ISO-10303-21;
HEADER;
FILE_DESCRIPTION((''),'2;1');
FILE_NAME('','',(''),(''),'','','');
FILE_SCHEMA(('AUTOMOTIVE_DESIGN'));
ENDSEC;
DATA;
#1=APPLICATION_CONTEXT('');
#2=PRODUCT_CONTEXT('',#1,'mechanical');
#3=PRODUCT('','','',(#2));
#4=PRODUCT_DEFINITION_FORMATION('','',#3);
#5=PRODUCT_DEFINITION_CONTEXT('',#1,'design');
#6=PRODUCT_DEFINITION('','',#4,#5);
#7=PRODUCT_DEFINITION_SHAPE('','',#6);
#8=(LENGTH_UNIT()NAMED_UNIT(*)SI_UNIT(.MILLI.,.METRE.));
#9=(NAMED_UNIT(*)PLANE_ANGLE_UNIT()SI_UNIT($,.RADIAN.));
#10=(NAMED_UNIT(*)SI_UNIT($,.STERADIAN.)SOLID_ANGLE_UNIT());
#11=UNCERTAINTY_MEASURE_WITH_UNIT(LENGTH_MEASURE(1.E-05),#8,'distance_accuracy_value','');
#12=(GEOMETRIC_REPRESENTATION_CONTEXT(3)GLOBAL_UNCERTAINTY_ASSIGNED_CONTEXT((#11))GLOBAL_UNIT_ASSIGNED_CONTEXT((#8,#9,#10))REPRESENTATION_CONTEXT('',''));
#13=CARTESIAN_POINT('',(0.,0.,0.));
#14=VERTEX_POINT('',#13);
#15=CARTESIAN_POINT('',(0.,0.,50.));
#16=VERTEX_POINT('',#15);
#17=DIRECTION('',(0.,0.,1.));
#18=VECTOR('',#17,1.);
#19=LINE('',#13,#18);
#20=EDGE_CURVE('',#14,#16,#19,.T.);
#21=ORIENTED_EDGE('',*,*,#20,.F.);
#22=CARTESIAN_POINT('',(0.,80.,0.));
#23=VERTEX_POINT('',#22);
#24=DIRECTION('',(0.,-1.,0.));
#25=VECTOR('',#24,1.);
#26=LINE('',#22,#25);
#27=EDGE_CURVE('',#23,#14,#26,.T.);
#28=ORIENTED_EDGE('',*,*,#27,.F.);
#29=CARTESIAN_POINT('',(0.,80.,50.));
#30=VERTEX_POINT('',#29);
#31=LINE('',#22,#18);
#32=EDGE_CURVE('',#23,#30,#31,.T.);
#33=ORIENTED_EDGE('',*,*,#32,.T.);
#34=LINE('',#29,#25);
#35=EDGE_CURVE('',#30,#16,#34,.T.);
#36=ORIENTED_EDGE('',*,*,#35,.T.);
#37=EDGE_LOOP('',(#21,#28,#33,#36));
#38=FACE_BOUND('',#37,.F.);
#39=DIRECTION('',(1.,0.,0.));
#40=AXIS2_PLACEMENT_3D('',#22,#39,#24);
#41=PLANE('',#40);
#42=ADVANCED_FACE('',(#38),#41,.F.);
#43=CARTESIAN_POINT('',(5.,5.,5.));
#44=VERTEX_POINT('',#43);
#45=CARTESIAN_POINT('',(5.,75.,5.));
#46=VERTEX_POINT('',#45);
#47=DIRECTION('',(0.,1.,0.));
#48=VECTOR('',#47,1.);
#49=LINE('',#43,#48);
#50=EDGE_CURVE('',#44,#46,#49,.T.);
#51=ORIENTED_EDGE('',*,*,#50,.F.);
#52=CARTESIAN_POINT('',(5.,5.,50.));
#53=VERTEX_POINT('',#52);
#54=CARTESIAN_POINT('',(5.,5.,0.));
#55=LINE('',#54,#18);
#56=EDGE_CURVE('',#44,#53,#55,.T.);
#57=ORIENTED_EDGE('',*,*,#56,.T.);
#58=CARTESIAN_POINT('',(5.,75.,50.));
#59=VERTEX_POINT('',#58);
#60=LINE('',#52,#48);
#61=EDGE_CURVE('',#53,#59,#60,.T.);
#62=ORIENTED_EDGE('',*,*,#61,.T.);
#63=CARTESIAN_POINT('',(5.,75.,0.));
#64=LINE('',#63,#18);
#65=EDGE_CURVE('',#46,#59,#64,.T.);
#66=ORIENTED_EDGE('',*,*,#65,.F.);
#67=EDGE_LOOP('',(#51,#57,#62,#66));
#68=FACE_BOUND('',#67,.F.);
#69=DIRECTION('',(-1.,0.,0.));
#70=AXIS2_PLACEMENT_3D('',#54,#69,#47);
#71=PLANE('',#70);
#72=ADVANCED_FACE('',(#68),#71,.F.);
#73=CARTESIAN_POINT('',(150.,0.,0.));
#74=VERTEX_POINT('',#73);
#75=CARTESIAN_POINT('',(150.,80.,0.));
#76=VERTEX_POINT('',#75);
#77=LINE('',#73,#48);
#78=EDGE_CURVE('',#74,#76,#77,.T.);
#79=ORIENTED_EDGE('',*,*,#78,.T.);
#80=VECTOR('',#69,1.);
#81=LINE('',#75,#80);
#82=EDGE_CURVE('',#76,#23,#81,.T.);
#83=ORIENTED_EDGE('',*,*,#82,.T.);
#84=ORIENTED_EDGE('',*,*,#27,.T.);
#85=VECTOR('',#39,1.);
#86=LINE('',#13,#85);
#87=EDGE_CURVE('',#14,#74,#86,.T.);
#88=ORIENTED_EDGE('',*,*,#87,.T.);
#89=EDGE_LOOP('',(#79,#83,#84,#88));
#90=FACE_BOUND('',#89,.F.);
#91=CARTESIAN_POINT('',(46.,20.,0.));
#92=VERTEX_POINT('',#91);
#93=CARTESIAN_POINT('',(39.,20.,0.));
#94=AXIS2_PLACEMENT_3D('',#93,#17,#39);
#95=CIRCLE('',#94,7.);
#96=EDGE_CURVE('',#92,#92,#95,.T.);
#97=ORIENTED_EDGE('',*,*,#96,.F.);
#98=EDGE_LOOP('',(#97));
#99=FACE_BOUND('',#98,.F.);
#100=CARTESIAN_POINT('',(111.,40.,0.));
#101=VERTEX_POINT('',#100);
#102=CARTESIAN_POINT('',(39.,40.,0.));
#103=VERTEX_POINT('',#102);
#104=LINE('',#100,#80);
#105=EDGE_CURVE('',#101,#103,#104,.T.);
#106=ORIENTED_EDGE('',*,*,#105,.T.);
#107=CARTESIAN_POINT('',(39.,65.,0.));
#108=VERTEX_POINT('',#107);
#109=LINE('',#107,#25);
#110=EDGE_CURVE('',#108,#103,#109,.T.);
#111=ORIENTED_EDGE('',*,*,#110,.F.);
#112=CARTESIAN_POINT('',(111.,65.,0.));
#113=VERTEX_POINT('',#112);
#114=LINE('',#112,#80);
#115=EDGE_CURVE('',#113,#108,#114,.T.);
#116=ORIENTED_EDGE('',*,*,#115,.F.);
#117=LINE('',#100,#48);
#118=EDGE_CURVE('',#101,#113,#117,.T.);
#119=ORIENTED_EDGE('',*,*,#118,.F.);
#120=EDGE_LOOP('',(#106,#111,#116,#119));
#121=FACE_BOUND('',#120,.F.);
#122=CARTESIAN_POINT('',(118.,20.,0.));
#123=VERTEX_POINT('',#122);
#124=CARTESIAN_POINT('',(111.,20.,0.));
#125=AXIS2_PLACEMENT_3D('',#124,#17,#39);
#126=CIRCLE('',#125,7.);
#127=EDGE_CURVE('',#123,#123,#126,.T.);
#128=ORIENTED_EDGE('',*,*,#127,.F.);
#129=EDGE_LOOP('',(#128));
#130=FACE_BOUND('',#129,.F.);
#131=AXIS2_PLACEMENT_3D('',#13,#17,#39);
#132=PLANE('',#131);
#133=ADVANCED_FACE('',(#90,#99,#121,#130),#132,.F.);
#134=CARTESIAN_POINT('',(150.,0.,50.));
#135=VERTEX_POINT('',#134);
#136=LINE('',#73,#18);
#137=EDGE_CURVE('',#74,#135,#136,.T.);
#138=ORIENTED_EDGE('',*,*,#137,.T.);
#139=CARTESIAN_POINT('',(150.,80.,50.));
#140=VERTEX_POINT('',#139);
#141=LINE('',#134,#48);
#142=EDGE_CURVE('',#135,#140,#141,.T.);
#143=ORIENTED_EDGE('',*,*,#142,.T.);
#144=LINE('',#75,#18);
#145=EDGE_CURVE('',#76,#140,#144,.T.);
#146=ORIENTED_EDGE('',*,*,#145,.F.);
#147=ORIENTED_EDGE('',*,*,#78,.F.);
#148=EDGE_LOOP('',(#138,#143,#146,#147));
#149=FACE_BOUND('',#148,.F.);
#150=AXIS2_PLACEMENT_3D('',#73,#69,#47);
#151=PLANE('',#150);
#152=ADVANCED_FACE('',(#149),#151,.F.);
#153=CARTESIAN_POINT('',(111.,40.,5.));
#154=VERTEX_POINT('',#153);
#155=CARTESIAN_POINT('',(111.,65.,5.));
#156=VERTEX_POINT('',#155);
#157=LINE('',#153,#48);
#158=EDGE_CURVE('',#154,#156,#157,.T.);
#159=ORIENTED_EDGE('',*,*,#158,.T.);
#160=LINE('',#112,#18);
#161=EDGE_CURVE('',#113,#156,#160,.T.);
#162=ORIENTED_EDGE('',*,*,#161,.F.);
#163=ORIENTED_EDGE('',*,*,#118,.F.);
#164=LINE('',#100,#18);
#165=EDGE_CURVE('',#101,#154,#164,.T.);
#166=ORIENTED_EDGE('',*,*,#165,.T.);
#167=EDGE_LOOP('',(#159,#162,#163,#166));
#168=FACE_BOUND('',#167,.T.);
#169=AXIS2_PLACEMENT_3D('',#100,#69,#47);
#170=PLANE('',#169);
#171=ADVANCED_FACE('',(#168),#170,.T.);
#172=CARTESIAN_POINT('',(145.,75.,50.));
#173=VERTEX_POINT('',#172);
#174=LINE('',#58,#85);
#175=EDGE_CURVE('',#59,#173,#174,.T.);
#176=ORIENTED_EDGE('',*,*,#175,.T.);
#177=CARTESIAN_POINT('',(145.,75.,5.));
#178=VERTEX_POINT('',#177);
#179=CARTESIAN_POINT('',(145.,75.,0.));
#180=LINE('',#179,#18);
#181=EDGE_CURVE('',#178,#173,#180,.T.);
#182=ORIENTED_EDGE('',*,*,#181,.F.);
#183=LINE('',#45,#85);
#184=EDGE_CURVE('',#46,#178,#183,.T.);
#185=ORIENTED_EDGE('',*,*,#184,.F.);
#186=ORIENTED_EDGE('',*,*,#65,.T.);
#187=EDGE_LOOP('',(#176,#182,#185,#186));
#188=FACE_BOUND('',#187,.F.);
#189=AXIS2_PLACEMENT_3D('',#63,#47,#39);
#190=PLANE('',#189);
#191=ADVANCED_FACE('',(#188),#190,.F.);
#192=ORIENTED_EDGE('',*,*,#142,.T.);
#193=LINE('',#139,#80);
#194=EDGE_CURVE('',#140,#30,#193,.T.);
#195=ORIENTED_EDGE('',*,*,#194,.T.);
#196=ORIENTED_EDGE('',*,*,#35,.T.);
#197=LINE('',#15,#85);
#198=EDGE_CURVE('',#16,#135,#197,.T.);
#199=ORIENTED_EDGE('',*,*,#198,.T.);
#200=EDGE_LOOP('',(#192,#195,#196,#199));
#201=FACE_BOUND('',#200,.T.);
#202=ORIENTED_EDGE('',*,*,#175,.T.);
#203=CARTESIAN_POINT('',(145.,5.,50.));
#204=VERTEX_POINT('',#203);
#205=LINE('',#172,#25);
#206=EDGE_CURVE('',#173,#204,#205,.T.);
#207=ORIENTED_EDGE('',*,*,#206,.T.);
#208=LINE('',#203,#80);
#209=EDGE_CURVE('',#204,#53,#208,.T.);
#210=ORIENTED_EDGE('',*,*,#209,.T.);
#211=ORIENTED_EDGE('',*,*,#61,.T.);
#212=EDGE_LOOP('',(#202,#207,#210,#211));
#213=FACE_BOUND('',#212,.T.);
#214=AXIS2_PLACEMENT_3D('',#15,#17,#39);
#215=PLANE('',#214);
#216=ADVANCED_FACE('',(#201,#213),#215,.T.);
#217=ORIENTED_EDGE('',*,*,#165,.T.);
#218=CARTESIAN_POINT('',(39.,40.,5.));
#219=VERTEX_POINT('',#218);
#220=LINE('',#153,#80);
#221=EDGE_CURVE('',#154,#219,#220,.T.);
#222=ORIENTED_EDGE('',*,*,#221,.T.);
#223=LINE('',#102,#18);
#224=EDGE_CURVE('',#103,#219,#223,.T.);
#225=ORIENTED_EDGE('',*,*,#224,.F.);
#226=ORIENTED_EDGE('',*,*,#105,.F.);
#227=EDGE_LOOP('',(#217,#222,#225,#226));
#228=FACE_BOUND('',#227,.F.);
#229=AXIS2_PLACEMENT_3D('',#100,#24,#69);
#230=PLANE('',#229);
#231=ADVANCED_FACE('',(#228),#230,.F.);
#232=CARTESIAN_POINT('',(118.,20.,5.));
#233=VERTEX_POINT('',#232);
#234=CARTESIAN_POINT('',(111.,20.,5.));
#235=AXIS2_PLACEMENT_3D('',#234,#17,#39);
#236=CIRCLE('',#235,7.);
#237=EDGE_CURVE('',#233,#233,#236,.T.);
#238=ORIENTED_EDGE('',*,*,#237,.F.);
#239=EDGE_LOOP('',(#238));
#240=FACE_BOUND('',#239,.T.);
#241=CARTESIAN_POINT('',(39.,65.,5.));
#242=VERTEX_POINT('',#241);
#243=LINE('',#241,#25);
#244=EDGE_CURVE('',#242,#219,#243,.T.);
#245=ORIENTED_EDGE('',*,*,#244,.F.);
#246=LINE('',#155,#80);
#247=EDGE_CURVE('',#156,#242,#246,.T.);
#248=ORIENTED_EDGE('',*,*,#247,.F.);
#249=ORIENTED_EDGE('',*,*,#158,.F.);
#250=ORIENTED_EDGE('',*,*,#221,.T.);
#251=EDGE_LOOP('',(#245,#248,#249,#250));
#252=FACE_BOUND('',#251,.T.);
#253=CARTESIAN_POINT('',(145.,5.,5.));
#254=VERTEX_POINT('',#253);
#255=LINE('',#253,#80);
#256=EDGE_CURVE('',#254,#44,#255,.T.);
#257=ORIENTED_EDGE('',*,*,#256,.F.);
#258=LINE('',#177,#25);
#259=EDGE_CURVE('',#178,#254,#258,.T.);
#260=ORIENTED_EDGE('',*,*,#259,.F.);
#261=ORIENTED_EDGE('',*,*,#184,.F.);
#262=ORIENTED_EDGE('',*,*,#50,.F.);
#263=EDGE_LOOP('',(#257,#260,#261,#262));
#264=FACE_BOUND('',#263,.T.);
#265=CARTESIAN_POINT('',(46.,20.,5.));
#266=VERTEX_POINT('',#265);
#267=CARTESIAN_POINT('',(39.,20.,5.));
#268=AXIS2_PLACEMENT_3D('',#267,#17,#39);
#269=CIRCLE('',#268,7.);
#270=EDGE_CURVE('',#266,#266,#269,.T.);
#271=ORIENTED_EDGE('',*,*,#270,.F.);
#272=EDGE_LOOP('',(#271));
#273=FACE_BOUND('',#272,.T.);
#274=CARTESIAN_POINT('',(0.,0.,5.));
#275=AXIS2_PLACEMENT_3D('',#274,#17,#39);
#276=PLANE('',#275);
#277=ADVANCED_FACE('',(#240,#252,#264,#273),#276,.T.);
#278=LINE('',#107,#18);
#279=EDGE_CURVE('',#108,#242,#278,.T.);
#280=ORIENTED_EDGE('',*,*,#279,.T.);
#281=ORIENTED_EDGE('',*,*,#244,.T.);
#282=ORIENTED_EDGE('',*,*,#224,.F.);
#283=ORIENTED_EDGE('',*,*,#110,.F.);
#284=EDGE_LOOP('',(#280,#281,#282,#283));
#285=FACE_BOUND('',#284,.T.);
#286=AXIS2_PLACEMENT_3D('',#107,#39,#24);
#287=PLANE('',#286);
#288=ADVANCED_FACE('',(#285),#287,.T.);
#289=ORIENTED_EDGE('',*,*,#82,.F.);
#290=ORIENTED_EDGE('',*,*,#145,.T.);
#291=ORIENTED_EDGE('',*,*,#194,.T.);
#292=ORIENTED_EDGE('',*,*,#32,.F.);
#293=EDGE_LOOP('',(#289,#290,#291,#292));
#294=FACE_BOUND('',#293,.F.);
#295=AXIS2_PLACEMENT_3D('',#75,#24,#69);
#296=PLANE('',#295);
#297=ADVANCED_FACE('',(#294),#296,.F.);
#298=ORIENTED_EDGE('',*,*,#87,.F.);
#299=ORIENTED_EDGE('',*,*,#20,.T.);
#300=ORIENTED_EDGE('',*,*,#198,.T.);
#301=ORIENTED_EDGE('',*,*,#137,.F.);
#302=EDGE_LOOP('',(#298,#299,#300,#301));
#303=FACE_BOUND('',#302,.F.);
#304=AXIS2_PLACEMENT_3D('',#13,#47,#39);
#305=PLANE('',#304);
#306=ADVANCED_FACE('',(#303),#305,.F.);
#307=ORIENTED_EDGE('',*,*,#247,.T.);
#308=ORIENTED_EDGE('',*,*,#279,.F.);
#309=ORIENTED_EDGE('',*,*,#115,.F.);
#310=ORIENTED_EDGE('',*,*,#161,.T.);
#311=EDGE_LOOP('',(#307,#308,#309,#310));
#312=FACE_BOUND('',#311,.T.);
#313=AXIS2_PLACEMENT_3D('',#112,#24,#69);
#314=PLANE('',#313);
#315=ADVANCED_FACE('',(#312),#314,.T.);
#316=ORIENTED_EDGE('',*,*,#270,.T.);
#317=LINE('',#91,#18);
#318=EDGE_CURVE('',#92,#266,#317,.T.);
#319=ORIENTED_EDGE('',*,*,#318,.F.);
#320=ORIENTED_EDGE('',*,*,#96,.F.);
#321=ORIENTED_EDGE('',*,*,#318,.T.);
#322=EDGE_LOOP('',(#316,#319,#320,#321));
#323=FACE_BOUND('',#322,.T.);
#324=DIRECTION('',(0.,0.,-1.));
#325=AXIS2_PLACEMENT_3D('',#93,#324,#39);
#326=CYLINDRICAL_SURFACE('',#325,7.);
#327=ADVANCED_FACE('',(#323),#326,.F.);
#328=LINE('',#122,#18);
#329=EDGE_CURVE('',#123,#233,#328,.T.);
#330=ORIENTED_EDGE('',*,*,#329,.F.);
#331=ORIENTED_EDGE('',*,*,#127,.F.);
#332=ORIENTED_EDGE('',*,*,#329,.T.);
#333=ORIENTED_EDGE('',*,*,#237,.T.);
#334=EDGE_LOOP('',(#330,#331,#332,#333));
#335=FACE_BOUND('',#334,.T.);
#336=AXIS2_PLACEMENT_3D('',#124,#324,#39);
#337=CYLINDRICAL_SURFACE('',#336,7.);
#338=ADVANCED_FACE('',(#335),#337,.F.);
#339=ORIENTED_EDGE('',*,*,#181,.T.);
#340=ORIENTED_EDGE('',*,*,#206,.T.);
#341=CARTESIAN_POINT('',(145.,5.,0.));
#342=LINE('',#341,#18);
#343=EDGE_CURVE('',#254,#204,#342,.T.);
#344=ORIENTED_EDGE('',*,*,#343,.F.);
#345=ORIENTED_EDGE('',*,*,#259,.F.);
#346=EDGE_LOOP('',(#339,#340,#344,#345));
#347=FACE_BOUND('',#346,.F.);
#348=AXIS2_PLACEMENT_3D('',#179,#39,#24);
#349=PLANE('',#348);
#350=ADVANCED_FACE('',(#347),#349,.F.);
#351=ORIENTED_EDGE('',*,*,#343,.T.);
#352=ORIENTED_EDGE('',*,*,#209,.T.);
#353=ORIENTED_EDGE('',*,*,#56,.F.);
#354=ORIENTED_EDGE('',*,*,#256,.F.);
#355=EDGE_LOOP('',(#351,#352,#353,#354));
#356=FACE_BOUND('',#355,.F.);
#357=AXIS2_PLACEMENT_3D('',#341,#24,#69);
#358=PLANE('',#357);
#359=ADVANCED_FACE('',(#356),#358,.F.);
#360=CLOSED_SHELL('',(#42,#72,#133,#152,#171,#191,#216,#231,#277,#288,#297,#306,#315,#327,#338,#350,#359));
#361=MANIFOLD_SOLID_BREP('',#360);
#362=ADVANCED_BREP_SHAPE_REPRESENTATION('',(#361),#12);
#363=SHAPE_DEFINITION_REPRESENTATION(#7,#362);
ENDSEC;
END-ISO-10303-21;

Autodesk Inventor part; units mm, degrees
ref_plane "YZ Plane" through (0, 0, 0) normal (1, 0, 0) x (0, 1, 0)
ref_plane "XZ Plane" through (0, 0, 0) normal (0, 1, 0) x (-1, 0, 0)
ref_plane "XY Plane" through (0, 0, 0) normal (0, 0, 1) x (1, 0, 0)
sketch "스케치1" plane through (0, 0, 0) normal (0, 0, 1) x (1, 0, 0)
  line L0 (0, 0) -> (150, 0)
  line L1 (150, 0) -> (150, 80)
  line L2 (150, 80) -> (0, 80)
  line L3 (0, 80) -> (0, 0)
  line L4 (75, 80) -> (75, 65) construction
  line L5 (39, 90) -> (111, 90) construction
  line L6 (111, 90) -> (111, 40) construction
  line L7 (111, 40) -> (39, 40)
  line L8 (39, 40) -> (39, 90) construction
  line L9 (39, 90) -> (111, 40) construction
  line L10 (111, 90) -> (39, 40) construction
  line L11 (39, 40) -> (111, 40) construction
  line L12 (111, 40) -> (111, 65)
  line L13 (111, 65) -> (39, 65)
  line L14 (39, 65) -> (39, 40)
  line L15 (39, 40) -> (39, 20) construction
  line L16 (39, 20) -> (111, 20) construction
  circle A0 centre (39, 20) radius 7
  circle A1 centre (111, 20) radius 7
  line L17 (5, 75) -> (145, 75)
  line L18 (145, 75) -> (145, 5)
  line L19 (145, 5) -> (5, 5)
  line L20 (5, 5) -> (5, 75)
  dimension "d0" = 150
  dimension "d1" = 80
  dimension "d2" = 15
  dimension "d3" = 72
  dimension "d4" = 50
  dimension "d5" = 20
  dimension "d6" = 14
  dimension "d7" = 14
  dimension "d8" = 5
extrude "돌출1" add sketch "스케치1" along normal blind 5 contours L17 L18 L19 L20
extrude "돌출2" add sketch "스케치1" along normal blind 50 contours L3 L2 L1 L0
properties part number "제어부 커버"
